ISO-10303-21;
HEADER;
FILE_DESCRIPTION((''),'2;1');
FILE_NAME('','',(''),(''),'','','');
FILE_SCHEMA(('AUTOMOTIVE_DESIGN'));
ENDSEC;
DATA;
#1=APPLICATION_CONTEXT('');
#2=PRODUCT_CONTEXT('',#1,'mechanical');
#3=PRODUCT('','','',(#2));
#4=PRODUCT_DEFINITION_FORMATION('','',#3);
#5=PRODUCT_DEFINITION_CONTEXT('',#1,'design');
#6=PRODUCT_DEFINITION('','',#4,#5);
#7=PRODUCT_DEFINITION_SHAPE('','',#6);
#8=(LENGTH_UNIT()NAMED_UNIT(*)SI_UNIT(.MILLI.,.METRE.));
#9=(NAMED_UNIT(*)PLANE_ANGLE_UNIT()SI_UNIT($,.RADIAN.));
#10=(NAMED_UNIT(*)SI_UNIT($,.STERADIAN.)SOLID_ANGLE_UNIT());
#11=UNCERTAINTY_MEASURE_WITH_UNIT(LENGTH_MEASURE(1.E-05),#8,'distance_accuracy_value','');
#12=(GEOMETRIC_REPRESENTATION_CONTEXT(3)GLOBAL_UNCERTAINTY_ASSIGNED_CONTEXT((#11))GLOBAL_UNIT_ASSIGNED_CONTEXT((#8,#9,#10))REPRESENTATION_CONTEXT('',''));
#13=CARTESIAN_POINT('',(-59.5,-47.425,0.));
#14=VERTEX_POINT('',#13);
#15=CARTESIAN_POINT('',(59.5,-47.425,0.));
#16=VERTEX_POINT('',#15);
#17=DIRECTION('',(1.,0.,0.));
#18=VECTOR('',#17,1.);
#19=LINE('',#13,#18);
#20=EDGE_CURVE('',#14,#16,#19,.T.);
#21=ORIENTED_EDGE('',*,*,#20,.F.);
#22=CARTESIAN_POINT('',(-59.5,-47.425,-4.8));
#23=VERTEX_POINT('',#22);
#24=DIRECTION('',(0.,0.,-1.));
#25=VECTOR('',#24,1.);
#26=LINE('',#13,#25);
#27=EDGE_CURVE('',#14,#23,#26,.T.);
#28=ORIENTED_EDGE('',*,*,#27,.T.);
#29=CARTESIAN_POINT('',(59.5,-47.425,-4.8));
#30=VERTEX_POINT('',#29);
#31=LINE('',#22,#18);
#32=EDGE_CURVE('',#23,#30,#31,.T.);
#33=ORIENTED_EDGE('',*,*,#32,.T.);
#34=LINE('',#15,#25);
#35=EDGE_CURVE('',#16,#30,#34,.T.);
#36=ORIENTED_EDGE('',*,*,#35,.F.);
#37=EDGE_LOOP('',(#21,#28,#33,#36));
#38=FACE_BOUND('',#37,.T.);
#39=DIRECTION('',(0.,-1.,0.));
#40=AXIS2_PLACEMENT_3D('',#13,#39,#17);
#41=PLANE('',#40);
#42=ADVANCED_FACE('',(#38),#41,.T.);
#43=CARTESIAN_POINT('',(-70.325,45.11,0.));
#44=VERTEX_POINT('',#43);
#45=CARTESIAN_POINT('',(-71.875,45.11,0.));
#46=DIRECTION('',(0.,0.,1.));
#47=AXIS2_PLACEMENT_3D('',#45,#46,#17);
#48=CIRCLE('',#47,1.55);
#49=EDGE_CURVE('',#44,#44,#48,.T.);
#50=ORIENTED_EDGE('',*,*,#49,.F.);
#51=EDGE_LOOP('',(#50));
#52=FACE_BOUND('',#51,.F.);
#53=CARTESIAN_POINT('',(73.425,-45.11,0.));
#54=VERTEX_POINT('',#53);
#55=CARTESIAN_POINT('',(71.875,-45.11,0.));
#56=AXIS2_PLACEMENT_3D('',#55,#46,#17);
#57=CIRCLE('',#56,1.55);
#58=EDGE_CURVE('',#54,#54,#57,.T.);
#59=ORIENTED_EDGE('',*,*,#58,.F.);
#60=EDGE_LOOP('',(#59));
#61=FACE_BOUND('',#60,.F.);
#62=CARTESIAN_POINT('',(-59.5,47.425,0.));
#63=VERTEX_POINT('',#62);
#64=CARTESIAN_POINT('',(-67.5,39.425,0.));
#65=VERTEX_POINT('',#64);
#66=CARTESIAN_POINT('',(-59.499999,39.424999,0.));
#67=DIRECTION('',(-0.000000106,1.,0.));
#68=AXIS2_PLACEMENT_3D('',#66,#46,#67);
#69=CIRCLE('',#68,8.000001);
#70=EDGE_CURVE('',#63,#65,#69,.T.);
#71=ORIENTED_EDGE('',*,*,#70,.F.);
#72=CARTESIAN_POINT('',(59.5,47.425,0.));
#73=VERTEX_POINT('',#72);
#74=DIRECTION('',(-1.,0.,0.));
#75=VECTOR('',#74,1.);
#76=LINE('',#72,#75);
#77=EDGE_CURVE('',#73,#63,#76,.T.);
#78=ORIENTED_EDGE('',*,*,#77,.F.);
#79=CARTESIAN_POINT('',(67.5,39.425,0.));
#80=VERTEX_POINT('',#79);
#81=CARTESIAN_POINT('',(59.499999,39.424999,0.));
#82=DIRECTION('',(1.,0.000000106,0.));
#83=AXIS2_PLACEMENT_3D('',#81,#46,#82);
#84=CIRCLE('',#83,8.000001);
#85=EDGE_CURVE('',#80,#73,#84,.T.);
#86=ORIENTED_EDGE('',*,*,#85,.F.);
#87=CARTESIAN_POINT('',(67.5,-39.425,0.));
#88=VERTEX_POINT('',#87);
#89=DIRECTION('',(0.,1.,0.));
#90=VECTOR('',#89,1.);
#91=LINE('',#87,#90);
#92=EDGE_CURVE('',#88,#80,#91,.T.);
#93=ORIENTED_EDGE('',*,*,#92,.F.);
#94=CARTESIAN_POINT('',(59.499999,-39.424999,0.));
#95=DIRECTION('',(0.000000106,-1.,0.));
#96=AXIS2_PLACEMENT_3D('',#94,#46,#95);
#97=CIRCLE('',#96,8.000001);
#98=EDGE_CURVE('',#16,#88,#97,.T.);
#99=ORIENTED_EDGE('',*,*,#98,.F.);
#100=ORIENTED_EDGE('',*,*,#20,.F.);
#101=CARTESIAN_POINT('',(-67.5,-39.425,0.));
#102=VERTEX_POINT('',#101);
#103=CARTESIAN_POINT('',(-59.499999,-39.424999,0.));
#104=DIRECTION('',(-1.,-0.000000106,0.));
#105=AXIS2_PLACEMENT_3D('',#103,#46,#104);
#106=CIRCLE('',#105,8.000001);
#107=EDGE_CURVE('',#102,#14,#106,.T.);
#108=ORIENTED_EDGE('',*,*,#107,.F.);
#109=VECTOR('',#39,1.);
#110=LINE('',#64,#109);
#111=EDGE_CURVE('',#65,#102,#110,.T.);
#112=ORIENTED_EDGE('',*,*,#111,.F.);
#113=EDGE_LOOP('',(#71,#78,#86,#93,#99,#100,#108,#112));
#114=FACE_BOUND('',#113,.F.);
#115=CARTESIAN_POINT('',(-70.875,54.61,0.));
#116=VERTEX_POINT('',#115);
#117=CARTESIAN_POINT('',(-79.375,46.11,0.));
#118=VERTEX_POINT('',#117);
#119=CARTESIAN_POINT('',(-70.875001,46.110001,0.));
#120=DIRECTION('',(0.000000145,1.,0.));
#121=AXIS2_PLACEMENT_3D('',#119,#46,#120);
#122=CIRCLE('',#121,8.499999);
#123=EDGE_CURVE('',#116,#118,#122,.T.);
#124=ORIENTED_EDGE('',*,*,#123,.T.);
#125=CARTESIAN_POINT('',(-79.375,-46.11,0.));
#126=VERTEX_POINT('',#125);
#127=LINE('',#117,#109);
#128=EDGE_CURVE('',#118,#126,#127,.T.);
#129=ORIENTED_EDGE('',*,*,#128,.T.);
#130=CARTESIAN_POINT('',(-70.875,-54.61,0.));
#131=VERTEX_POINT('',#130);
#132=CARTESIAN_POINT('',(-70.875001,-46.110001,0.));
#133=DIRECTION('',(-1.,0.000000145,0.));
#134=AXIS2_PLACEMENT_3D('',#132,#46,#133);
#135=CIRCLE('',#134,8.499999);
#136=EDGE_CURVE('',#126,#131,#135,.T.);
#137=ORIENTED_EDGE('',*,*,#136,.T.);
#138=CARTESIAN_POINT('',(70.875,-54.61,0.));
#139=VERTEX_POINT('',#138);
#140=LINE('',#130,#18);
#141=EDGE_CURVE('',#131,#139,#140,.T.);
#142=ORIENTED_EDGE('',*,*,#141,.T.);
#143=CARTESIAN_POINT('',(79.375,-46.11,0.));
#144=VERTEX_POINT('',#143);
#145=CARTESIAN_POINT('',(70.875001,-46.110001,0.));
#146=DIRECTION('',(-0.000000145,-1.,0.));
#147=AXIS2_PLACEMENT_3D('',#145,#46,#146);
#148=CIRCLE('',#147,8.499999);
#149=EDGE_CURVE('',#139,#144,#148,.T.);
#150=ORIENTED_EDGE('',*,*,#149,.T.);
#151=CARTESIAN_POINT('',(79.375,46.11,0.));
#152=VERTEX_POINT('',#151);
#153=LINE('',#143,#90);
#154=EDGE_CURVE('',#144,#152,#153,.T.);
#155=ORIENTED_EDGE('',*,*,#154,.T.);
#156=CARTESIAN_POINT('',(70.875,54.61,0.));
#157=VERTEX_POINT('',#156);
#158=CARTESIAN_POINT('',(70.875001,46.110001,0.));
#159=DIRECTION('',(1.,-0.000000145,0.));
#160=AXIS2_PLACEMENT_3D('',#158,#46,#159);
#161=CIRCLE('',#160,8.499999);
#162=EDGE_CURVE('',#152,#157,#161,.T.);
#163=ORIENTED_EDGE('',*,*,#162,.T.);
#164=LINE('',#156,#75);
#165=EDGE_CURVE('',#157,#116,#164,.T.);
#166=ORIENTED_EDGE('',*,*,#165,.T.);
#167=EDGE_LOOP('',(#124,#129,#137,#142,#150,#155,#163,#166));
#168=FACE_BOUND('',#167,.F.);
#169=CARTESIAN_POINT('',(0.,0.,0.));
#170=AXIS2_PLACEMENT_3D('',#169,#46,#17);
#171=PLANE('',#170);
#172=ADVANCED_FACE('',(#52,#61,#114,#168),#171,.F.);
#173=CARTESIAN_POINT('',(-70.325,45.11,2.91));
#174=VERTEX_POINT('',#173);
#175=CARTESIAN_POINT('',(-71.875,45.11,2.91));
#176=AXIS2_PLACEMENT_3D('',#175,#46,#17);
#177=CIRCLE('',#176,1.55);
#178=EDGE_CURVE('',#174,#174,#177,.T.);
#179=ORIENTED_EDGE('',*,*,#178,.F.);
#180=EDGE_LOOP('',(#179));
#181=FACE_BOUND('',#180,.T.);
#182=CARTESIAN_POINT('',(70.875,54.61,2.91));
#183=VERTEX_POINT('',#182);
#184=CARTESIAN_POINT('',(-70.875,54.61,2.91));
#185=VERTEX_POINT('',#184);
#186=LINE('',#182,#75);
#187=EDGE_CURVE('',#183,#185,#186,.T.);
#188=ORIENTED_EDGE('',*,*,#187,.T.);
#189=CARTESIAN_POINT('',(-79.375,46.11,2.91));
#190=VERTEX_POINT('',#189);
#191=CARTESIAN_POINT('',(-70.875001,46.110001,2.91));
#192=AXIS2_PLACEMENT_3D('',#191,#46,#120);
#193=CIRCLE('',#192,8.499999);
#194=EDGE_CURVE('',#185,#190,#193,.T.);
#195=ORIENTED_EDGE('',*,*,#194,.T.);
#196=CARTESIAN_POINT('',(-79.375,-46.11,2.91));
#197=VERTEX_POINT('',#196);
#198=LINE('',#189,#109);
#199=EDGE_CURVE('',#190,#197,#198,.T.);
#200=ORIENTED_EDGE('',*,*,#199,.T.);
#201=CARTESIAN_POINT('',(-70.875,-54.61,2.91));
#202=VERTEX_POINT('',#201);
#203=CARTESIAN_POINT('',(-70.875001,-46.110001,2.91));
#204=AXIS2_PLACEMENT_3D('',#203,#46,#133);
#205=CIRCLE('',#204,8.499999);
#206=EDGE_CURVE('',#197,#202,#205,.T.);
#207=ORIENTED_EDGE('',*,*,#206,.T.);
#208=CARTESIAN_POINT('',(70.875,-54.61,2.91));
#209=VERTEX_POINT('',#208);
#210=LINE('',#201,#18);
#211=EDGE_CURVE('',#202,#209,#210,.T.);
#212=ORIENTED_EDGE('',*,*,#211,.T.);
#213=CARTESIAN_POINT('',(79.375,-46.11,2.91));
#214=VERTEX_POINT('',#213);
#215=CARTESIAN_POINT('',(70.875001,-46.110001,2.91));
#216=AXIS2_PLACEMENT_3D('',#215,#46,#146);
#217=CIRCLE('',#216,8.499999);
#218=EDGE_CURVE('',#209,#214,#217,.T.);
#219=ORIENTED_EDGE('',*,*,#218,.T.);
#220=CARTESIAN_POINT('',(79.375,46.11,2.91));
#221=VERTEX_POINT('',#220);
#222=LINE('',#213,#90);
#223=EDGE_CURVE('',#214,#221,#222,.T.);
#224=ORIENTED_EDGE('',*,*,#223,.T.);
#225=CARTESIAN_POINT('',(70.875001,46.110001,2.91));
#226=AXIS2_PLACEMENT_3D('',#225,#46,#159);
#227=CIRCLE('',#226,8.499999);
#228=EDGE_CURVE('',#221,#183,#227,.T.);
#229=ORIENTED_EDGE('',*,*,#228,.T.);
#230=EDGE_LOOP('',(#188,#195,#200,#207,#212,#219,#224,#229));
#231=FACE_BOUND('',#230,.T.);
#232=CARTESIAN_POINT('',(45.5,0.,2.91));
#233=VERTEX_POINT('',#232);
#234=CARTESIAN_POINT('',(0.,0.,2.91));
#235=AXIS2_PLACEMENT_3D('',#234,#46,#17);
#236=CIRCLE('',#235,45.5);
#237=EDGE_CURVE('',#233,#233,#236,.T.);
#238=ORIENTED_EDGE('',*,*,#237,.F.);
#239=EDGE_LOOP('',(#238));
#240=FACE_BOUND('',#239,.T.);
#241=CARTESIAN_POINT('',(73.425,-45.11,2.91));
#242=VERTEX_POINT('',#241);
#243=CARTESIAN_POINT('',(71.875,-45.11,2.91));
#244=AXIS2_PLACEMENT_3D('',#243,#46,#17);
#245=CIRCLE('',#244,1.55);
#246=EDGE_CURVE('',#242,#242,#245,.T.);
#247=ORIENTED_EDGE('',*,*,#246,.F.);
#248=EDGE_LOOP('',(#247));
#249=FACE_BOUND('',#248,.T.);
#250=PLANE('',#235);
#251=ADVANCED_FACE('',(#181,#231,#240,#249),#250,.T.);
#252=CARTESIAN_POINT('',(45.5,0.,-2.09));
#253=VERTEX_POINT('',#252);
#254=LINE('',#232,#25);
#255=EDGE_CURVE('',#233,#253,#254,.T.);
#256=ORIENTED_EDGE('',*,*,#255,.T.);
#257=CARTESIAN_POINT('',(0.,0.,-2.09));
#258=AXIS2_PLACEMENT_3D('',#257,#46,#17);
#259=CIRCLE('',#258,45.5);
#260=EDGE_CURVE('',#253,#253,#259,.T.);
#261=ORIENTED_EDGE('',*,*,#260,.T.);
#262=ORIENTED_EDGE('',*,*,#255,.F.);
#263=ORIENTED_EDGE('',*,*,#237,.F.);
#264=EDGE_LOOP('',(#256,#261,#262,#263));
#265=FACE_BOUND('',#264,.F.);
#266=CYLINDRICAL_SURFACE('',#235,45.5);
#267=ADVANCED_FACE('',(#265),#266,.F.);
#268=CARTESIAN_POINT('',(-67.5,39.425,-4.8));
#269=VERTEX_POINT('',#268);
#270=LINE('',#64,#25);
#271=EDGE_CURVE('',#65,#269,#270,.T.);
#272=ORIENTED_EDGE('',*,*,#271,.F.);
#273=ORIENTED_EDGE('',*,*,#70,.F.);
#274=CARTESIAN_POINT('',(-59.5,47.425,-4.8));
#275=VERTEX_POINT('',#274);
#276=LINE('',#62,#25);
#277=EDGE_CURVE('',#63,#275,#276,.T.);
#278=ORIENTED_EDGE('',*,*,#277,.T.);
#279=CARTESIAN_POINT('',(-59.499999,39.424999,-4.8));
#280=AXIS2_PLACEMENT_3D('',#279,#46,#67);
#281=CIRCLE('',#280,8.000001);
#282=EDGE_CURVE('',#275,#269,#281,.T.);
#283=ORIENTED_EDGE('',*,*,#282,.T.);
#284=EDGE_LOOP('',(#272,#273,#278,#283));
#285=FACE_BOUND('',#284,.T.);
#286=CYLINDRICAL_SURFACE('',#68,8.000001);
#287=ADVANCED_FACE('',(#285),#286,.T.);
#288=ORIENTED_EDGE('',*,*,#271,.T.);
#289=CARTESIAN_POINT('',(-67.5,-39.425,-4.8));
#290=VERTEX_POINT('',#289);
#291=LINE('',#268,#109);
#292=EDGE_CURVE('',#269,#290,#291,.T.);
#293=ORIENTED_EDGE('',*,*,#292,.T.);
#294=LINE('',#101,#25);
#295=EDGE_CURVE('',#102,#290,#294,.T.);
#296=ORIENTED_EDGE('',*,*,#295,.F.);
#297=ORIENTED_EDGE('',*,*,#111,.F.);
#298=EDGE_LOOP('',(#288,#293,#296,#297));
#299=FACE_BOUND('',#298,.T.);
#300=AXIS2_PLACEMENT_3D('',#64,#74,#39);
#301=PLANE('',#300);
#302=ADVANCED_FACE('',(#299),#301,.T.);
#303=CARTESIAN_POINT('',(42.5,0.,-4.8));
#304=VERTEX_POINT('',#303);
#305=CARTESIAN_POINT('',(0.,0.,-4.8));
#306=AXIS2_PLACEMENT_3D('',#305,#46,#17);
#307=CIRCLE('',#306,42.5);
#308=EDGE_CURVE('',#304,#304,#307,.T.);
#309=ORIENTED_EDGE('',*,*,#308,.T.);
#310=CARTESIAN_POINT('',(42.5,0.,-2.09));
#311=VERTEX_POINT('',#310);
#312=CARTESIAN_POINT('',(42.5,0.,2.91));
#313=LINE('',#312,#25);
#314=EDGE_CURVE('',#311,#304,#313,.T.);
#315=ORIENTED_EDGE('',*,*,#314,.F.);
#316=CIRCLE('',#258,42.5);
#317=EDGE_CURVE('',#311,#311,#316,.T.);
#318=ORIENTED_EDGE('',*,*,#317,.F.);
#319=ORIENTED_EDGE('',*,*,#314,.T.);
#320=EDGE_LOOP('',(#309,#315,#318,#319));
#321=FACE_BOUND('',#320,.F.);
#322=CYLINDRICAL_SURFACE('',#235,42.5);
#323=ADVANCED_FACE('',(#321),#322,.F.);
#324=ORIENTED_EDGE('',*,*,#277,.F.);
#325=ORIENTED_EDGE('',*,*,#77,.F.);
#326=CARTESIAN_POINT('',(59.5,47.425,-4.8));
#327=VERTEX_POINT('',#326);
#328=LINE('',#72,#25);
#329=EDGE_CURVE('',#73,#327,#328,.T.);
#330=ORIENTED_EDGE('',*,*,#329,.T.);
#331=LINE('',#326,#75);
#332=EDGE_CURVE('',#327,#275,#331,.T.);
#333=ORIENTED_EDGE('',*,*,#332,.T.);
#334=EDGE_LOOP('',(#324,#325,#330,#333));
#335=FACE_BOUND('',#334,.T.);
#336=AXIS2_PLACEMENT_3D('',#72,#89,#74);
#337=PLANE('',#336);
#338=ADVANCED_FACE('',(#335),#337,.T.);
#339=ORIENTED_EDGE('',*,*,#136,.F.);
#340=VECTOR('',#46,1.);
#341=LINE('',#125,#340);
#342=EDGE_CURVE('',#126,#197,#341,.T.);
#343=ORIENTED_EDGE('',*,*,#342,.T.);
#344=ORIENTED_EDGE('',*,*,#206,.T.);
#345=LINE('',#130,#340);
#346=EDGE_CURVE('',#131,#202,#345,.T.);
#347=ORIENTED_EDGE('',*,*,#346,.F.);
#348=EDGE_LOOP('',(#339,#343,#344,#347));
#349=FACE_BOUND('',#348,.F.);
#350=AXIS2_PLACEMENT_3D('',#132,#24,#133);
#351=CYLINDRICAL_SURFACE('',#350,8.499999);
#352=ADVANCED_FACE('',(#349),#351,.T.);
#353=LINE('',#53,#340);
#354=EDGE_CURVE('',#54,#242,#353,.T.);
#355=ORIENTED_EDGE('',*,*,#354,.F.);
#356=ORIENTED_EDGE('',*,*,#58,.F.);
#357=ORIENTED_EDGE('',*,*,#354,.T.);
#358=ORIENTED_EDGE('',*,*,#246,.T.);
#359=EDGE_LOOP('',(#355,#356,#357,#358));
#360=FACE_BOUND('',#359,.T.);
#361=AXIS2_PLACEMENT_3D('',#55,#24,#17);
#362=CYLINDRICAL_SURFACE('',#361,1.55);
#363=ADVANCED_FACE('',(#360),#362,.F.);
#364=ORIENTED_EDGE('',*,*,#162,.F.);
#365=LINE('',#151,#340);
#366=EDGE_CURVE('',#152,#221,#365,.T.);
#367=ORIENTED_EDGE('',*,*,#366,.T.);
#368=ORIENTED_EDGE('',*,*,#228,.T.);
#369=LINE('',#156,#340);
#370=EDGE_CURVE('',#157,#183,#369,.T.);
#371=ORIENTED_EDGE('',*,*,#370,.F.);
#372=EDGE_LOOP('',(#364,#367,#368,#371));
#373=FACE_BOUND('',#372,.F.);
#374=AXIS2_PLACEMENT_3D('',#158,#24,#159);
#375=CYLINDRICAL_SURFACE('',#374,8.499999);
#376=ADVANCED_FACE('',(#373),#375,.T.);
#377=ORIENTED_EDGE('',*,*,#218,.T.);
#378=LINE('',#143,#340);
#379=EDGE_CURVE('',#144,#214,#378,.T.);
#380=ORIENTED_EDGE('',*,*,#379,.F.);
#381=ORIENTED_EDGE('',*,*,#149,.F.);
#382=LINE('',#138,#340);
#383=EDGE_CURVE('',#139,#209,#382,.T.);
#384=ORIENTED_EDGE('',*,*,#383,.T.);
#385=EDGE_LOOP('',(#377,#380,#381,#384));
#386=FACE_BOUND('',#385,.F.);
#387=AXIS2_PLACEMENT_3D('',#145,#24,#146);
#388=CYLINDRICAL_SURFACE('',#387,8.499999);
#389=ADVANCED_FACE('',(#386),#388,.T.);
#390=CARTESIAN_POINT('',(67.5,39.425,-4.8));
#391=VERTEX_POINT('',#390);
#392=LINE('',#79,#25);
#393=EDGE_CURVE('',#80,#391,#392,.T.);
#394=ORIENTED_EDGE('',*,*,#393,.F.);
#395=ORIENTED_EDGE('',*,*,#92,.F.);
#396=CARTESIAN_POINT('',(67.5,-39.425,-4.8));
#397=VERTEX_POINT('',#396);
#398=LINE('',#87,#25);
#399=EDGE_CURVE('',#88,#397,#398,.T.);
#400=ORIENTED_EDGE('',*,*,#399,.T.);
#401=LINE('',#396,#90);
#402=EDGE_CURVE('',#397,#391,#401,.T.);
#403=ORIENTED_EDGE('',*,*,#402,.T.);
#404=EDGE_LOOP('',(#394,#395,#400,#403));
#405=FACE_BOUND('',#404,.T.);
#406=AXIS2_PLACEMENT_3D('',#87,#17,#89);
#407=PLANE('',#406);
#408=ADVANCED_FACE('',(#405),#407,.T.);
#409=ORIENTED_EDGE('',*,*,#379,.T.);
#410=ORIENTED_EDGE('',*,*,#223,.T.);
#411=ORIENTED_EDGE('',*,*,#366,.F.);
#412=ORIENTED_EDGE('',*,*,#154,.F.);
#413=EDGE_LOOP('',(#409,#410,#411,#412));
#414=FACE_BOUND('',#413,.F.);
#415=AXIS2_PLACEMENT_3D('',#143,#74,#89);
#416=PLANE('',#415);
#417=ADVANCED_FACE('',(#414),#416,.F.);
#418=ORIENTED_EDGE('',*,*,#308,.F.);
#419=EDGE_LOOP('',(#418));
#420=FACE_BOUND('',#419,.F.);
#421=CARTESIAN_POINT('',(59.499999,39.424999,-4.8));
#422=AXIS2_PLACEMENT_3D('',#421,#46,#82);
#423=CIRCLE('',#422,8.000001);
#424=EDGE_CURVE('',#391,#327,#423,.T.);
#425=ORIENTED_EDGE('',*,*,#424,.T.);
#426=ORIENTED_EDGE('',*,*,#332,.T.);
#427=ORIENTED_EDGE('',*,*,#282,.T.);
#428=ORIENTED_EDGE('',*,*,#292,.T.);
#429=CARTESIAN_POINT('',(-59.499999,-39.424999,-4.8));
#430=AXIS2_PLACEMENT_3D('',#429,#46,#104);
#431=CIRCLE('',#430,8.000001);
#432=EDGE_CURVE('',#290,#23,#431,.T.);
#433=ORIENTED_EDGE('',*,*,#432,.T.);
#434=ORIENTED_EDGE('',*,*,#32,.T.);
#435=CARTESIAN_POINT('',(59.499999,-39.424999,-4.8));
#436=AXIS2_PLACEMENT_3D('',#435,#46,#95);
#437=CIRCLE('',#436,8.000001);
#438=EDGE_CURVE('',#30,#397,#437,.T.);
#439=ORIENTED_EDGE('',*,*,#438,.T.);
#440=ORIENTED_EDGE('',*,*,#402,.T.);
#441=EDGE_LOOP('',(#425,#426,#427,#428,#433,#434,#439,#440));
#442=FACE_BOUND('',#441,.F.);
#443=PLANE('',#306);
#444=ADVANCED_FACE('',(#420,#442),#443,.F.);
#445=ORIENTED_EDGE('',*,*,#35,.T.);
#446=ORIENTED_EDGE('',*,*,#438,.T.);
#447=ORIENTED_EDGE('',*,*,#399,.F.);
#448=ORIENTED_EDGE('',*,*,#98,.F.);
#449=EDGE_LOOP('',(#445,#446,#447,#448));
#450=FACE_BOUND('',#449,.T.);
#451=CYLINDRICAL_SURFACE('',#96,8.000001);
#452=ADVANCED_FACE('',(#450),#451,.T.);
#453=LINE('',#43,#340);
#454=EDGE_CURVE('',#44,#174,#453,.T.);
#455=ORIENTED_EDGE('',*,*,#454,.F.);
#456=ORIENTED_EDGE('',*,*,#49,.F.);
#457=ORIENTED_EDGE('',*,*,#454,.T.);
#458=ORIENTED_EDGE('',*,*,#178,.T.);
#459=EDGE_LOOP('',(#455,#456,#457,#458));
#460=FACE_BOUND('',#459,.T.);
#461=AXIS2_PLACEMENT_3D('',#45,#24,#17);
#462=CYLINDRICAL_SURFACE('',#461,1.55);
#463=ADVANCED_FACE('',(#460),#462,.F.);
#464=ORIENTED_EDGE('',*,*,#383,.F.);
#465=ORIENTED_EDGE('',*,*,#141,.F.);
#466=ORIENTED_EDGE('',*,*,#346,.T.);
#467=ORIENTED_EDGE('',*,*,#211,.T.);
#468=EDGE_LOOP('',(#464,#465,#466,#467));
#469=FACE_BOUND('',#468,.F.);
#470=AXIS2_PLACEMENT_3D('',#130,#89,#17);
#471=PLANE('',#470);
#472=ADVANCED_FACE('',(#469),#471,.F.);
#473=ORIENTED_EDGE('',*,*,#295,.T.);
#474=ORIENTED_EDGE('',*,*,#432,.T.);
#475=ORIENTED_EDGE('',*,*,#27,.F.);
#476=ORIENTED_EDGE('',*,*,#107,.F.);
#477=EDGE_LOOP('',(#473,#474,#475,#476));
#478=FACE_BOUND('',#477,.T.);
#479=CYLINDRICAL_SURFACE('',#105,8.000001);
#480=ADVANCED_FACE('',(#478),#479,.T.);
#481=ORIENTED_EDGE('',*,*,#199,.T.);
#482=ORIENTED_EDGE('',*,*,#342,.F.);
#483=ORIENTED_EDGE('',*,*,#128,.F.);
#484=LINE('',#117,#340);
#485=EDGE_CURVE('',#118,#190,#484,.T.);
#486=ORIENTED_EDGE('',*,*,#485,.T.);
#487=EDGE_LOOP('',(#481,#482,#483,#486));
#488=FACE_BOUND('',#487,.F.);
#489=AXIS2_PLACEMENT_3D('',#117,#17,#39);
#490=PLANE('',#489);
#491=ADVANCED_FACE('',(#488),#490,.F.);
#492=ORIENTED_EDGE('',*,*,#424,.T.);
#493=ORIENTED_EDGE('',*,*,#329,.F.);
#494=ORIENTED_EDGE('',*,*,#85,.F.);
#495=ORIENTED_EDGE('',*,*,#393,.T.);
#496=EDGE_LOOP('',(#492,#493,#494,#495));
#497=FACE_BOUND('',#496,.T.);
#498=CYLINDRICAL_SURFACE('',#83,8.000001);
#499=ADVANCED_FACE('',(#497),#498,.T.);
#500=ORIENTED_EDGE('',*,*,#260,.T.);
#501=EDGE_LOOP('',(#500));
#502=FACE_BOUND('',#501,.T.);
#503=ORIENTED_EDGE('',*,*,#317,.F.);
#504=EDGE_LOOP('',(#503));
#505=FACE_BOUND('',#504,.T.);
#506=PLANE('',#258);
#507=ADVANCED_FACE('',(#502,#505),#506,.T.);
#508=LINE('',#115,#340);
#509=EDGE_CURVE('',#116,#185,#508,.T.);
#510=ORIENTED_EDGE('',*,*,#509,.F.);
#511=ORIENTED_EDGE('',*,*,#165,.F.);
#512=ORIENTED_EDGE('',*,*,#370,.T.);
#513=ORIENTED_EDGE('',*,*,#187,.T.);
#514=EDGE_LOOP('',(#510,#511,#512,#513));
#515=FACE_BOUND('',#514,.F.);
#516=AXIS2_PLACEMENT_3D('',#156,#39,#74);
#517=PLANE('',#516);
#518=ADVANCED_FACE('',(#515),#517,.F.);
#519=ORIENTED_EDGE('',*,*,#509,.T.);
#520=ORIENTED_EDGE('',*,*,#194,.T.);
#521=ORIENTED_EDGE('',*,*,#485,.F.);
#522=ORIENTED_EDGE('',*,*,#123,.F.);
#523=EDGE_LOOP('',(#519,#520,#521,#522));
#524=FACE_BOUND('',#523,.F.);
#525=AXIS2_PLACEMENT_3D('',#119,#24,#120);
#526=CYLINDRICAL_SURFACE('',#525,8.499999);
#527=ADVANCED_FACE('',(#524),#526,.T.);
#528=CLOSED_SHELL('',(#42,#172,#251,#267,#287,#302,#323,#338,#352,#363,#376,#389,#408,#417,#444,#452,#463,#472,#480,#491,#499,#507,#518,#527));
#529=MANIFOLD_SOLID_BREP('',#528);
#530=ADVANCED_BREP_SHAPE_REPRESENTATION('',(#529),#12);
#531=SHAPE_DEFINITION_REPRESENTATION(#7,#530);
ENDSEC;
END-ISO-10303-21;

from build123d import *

# Parameters (mm, degrees)
F0_R     = 1.55
F1_DEPTH = 2.91
F3_DEPTH = 4.8
F4_R     = 42.5
F5_DEPTH = 25
F4_R_2   = 45.5
F6_DEPTH = 5


with BuildPart() as f1:
    # F0 (on Top) → F1 (new body)
    with BuildSketch(Plane.XY):
        with BuildLine():
            Line((-70.875, -54.61), (70.875, -54.61))
            ThreePointArc((70.875, -54.61), (76.885408, -52.120408), (79.375, -46.11))
            Line((79.375, -46.11), (79.375, 46.11))
            ThreePointArc((79.375, 46.11), (76.885408, 52.120408), (70.875, 54.61))
            Line((70.875, 54.61), (-70.875, 54.61))
            ThreePointArc((-70.875, 54.61), (-76.885408, 52.120408), (-79.375, 46.11))
            Line((-79.375, 46.11), (-79.375, -46.11))
            ThreePointArc((-79.375, -46.11), (-76.885408, -52.120408), (-70.875, -54.61))
        make_face()
        with Locations((71.875, -45.11)):
            Circle(F0_R, mode=Mode.SUBTRACT)
        with Locations((-71.875, 45.11)):
            Circle(F0_R, mode=Mode.SUBTRACT)
    extrude(amount=F1_DEPTH)

    # F2 (on Top) → F3 (join)
    with BuildSketch(Plane.XY):
        with BuildLine():
            Line((-59.5, -47.425), (59.5, -47.425))
            ThreePointArc((59.5, -47.425), (65.156854, -45.081854), (67.5, -39.425))
            Line((67.5, -39.425), (67.5, 39.425))
            ThreePointArc((67.5, 39.425), (65.156854, 45.081854), (59.5, 47.425))
            Line((59.5, 47.425), (-59.5, 47.425))
            ThreePointArc((-59.5, 47.425), (-65.156854, 45.081854), (-67.5, 39.425))
            Line((-67.5, 39.425), (-67.5, -39.425))
            ThreePointArc((-67.5, -39.425), (-65.156854, -45.081854), (-59.5, -47.425))
        make_face()
    extrude(amount=-F3_DEPTH)

    # F4 (on face) → F5 (cut)
    with BuildSketch(Plane.XY.offset(2.91)):
        Circle(F4_R)
    extrude(amount=-F5_DEPTH, mode=Mode.SUBTRACT)

    # F4 (on face) → F6 (cut)
    with BuildSketch(Plane.XY.offset(2.91)):
        Circle(F4_R_2)
        Circle(F4_R, mode=Mode.SUBTRACT)
    extrude(amount=-F6_DEPTH, mode=Mode.SUBTRACT)


solid = f1.part
